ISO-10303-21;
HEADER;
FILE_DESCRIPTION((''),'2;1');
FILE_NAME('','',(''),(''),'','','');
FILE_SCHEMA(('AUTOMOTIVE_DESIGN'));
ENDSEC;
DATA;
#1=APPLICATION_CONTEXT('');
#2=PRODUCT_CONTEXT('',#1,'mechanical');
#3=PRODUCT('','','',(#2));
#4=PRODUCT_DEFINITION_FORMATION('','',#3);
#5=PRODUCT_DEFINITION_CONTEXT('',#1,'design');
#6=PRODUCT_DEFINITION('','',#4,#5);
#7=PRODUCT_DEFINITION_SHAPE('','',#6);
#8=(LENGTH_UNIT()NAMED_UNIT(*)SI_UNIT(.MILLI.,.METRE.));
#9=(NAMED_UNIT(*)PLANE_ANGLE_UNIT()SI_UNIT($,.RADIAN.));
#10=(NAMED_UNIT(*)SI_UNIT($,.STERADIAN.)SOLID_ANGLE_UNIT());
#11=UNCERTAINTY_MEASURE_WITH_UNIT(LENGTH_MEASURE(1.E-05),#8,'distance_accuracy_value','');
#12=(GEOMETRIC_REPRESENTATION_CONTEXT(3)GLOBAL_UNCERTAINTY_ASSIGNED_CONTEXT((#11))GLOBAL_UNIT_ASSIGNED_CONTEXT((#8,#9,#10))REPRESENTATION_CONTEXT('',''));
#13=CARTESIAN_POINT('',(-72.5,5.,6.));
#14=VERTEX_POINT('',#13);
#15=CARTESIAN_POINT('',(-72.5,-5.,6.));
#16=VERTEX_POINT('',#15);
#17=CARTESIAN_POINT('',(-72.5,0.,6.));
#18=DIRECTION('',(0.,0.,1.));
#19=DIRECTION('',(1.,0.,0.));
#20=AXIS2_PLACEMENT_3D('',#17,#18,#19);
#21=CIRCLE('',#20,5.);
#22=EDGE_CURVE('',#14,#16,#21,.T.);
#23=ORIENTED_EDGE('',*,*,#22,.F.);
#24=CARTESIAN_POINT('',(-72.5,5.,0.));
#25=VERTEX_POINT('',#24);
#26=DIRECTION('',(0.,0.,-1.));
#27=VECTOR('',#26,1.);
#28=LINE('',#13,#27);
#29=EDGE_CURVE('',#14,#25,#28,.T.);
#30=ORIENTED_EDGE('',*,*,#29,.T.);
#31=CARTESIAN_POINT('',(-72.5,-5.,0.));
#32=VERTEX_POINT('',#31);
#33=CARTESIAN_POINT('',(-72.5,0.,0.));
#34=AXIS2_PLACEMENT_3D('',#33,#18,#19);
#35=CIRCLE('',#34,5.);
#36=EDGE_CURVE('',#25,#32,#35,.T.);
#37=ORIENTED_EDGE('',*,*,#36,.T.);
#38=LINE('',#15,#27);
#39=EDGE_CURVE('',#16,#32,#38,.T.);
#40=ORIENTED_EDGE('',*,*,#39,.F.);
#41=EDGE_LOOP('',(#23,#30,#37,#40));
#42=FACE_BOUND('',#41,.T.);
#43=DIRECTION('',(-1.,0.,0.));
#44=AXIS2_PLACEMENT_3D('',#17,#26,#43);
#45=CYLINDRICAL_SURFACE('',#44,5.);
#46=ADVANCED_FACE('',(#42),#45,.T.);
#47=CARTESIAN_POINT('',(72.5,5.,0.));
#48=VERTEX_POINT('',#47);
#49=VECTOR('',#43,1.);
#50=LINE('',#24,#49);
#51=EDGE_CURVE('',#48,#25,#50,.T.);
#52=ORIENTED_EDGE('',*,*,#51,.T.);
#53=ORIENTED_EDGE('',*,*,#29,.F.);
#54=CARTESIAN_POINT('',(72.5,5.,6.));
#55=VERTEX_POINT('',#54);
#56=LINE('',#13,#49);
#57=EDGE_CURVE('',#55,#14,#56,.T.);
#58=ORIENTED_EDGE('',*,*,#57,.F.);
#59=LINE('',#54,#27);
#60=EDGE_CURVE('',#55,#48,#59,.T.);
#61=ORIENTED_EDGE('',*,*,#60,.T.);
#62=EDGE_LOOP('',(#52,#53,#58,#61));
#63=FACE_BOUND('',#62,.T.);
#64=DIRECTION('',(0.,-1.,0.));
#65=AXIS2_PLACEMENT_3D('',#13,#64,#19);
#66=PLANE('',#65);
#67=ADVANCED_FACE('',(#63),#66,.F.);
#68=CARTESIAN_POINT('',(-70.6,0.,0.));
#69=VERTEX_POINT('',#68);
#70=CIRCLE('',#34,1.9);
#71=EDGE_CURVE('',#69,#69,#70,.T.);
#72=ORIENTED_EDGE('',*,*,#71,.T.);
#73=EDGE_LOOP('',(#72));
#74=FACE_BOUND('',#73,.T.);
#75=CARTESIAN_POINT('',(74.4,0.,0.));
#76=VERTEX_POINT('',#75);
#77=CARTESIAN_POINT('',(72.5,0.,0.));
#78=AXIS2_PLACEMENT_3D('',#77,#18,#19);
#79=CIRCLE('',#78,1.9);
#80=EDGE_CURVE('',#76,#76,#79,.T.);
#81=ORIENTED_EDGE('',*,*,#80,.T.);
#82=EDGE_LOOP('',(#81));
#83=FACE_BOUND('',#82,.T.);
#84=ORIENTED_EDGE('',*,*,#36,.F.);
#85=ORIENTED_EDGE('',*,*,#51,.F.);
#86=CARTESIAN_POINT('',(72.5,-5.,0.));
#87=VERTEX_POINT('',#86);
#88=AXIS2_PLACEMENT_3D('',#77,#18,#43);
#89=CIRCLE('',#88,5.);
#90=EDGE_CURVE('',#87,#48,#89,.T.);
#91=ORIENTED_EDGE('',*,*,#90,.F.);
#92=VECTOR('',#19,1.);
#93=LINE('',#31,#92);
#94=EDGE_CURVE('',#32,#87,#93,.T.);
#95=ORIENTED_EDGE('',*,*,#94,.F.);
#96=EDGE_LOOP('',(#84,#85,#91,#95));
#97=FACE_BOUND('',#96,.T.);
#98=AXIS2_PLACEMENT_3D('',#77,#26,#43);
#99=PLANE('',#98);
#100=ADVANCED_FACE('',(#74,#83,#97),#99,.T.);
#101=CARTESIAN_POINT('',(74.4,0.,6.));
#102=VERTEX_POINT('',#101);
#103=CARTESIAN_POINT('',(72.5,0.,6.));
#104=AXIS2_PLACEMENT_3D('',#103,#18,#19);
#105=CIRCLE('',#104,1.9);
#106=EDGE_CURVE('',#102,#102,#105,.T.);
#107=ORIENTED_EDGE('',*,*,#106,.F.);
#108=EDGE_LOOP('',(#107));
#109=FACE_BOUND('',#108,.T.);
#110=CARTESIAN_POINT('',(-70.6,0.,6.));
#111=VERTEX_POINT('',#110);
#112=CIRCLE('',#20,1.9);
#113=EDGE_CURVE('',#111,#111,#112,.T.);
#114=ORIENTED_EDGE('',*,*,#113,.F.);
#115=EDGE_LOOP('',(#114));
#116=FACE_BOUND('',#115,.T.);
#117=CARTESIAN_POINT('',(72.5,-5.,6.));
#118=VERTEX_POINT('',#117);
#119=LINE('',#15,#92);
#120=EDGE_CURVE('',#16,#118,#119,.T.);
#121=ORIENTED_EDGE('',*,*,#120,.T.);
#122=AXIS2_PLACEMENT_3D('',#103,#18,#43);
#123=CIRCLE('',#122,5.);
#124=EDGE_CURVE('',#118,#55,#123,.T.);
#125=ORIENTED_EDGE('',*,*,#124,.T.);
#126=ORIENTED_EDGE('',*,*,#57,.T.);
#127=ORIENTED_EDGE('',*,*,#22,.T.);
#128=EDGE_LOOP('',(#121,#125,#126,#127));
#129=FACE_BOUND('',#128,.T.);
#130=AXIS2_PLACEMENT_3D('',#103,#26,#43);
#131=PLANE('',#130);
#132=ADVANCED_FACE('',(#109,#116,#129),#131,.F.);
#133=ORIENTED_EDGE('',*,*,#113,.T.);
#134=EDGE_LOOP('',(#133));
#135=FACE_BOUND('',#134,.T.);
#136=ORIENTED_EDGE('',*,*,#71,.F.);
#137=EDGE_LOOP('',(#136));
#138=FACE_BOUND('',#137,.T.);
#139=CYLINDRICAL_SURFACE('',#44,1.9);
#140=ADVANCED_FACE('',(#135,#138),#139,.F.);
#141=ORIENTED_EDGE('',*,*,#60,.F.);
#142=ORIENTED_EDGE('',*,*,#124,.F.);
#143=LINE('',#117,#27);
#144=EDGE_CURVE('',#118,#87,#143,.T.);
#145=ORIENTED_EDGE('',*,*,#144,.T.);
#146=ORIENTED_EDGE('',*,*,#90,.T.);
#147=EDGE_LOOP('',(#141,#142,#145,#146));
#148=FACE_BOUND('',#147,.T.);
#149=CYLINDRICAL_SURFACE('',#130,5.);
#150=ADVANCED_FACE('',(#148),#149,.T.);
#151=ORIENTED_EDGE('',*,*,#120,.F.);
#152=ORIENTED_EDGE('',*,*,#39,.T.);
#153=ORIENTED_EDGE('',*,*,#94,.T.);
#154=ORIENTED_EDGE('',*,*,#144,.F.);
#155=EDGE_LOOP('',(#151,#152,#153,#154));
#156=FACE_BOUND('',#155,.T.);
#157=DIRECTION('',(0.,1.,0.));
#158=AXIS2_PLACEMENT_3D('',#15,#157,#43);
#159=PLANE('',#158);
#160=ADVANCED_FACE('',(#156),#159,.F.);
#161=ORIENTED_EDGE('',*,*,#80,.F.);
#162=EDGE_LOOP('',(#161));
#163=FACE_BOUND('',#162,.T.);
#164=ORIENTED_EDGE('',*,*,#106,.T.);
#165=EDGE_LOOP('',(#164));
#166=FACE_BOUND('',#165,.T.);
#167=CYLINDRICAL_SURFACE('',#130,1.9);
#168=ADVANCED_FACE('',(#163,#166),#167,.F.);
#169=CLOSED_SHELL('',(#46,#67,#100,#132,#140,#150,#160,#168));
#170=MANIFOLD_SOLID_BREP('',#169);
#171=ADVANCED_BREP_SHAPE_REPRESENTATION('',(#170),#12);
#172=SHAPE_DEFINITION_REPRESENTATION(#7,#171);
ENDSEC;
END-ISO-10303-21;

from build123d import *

# Parameters (mm, degrees)
SKETCH1_R           = 1.9
BOSS_EXTRUDE1_DEPTH = 6


with BuildPart() as part:
    # Sketch1 → Boss-Extrude1 (new body)
    with BuildSketch(Plane.XY):
        with BuildLine():
            Line((-72.5, 5), (72.5, 5))
            ThreePointArc((72.5, 5), (77.5, 0), (72.5, -5))
            Line((72.5, -5), (-72.5, -5))
            ThreePointArc((-72.5, -5), (-77.5, 0), (-72.5, 5))
        make_face()
        with Locations((-72.5, 0)):
            Circle(SKETCH1_R, mode=Mode.SUBTRACT)
        with Locations((72.5, 0)):
            Circle(SKETCH1_R, mode=Mode.SUBTRACT)
    extrude(amount=BOSS_EXTRUDE1_DEPTH)


solid = part.part
